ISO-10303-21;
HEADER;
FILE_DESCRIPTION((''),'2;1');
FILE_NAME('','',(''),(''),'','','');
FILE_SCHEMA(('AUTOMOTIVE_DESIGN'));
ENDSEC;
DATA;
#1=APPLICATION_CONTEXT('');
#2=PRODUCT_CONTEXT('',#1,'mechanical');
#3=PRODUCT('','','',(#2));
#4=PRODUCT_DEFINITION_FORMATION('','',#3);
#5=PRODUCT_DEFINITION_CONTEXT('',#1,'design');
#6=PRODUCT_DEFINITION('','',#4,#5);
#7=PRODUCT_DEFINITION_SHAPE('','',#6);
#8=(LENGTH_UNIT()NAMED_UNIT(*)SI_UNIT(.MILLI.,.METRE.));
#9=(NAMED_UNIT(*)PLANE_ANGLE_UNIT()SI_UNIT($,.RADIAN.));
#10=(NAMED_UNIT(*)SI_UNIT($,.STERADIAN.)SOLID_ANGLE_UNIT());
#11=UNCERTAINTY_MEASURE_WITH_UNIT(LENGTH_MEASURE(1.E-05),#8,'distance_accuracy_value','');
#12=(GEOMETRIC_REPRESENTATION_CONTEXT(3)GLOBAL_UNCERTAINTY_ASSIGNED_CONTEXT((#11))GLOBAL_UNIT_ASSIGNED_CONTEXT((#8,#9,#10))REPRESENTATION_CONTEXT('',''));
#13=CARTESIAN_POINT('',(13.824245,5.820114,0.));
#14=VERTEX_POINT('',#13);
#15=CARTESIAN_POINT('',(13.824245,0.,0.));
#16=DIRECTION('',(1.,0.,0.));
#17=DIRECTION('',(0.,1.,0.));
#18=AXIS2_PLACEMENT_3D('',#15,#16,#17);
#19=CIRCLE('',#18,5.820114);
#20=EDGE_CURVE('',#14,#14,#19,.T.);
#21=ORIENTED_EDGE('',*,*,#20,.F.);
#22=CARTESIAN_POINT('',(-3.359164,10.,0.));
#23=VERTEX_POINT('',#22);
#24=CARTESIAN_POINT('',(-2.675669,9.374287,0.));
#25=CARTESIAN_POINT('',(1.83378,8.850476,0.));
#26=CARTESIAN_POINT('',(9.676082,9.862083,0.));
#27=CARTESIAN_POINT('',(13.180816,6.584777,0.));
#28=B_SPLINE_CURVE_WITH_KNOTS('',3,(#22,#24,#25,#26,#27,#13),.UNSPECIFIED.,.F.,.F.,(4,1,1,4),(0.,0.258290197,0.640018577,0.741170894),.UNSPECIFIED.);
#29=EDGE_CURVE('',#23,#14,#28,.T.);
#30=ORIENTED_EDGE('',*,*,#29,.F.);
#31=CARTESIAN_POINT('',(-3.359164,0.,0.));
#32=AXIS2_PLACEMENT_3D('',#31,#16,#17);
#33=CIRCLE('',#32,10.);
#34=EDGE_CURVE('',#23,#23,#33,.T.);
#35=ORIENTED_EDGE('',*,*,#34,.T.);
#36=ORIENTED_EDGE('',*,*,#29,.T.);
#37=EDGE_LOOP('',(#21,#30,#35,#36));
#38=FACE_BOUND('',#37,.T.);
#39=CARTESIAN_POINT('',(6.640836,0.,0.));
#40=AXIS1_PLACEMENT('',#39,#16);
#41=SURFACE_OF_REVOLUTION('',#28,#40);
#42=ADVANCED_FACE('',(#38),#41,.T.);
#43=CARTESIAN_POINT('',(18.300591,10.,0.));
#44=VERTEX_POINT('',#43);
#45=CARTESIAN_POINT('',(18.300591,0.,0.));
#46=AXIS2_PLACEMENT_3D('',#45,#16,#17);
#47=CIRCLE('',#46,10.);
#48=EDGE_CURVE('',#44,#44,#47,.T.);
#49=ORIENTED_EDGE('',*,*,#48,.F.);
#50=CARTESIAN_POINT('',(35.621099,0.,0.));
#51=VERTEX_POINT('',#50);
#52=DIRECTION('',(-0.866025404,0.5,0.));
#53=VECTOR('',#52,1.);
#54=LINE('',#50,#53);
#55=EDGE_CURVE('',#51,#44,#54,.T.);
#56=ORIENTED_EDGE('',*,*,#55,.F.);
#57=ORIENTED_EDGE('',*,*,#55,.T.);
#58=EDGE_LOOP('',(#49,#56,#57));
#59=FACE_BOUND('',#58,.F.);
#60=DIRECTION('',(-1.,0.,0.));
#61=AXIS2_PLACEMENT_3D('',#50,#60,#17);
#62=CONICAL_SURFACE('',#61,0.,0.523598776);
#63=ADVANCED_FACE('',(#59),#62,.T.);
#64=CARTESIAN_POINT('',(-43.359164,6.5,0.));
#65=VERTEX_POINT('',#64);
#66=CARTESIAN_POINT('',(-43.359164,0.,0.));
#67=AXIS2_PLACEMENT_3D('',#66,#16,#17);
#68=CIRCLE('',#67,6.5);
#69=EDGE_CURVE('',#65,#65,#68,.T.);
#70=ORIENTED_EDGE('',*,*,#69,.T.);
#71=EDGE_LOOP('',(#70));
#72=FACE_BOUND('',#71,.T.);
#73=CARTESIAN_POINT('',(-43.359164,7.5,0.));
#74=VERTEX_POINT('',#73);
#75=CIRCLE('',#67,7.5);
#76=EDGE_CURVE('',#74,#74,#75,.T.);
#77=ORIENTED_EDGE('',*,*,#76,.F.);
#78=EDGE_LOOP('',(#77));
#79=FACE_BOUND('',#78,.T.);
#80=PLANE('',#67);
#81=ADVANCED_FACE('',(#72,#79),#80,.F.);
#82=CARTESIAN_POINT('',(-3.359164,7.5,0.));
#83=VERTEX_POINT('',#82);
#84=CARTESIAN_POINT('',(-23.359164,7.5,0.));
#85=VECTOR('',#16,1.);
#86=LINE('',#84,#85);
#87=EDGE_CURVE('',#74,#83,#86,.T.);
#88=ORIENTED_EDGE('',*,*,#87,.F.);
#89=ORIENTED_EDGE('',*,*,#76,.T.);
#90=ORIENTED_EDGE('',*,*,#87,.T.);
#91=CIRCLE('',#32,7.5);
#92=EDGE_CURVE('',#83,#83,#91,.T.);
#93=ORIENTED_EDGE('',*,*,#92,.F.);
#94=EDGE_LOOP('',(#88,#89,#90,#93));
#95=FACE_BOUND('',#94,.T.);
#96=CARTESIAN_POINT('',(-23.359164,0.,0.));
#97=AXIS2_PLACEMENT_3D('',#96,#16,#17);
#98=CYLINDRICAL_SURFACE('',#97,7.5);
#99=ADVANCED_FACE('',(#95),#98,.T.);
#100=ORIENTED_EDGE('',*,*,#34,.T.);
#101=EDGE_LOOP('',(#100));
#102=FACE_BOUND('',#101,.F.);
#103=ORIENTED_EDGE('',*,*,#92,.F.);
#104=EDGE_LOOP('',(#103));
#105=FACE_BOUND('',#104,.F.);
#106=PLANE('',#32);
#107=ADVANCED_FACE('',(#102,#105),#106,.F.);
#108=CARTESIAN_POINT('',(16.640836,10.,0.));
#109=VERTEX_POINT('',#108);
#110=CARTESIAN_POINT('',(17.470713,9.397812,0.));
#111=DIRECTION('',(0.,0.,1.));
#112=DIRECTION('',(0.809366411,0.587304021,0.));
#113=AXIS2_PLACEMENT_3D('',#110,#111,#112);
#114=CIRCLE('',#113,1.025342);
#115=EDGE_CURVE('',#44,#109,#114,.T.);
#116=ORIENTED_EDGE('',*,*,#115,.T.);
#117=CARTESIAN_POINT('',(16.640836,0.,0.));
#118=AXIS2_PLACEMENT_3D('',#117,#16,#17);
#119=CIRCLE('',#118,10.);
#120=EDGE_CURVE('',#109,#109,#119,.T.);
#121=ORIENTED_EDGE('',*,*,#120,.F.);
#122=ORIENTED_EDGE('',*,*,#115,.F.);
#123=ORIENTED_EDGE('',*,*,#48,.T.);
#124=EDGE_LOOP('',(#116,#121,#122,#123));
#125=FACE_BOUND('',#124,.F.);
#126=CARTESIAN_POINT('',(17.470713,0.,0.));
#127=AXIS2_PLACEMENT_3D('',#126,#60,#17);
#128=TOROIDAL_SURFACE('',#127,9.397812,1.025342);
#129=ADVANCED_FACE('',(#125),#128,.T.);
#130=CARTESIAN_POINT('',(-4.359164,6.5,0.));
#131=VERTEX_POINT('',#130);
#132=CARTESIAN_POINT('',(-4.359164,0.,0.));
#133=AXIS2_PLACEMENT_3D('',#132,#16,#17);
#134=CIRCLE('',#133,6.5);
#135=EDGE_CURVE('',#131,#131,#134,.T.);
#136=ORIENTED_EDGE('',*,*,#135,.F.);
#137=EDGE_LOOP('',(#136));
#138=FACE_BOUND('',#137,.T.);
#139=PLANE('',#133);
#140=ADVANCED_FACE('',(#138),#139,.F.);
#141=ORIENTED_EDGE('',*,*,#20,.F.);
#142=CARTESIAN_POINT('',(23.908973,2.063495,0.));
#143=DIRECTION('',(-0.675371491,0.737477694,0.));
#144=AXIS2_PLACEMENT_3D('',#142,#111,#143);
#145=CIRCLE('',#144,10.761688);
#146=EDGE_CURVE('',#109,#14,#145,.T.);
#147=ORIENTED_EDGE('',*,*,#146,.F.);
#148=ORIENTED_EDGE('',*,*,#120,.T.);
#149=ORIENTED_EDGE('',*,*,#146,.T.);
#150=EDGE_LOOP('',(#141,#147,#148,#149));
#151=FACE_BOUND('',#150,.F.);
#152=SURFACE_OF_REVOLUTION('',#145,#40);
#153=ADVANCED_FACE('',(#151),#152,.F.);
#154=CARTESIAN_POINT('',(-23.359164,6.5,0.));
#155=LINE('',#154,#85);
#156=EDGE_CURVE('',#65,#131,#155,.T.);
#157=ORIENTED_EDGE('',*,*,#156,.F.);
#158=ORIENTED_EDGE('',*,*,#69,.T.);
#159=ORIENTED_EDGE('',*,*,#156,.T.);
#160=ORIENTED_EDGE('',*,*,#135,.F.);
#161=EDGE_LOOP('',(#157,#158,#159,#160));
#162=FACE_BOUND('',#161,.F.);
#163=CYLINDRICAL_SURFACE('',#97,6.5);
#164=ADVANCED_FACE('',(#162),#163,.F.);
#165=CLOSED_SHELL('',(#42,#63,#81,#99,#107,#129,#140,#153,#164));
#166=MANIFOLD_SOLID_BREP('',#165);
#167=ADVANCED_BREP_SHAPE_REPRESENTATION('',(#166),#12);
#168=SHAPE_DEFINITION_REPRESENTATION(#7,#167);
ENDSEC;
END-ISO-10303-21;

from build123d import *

# Parameters (mm, degrees)
F0_W = 40
F0_H = 7.5
F2_T = -1


with BuildPart() as f1:
    # F0 (on Top) → F1 (revolve)
    with BuildSketch(Plane.XY):
        with Locations((-23.359164299, 3.75)):
            Rectangle(F0_W, F0_H)
    revolve(axis=Axis((-23.359164299, 0, 0), (1, 0, 0)))

    # F2
    f2_openings = [f1.faces().sort_by_distance(p)[0] for p in [
        (-43.359164, 0, 0),
    ]]
    offset(amount=F2_T, openings=f2_openings)

    # F0 (on Top) → F3 (revolve)
    with BuildSketch(Plane.XY):
        with BuildLine():
            Line((-3.359164299, 10), (-3.359164299, 7.5))
            Line((-3.359164299, 7.5), (-3.359164299, 0))
            Line((-3.359164299, 0), (16.640835701, 0))
            add(Edge.make_bspline(
                [(13.8242446614, 5.8201136691), (15.4706541093, 3.8634896533), (16.522999446, 1.3952228585), (16.640835701, 0)],
                knots=[0.7411708943, 0.7411708943, 0.7411708943, 0.7411708943, 1, 1, 1, 1], degree=3))
            add(Edge.make_bspline(
                [(-3.359164299, 10), (-2.6756685908, 9.3742873677), (1.833779877, 8.8504755161), (9.6760817872, 9.8620826294), (13.1808157461, 6.5847767181), (13.8242446614, 5.8201136691)],
                knots=[0, 0, 0, 0, 0.2582901973, 0.6400185771, 0.7411708943, 0.7411708943, 0.7411708943, 0.7411708943], degree=3))
        make_face()
        with BuildLine():
            add(Edge.make_bspline(
                [(13.8242446614, 5.8201136691), (15.4706541093, 3.8634896533), (16.522999446, 1.3952228585), (16.640835701, 0)],
                knots=[0.7411708943, 0.7411708943, 0.7411708943, 0.7411708943, 1, 1, 1, 1], degree=3))
            Line((16.640835701, 0), (35.6210991124, 0))
            Line((35.6210991124, 0), (18.3005910367, 10))
            ThreePointArc((18.3005910367, 10), (17.4707133688, 10.4231546702), (16.640835701, 10))
            ThreePointArc((16.640835701, 10), (14.9843806263, 8.0772776447), (13.8242446614, 5.8201136691))
        make_face()
    revolve(axis=Axis((6.640835701, 0, 0), (1, 0, 0)))


solid = f1.part
